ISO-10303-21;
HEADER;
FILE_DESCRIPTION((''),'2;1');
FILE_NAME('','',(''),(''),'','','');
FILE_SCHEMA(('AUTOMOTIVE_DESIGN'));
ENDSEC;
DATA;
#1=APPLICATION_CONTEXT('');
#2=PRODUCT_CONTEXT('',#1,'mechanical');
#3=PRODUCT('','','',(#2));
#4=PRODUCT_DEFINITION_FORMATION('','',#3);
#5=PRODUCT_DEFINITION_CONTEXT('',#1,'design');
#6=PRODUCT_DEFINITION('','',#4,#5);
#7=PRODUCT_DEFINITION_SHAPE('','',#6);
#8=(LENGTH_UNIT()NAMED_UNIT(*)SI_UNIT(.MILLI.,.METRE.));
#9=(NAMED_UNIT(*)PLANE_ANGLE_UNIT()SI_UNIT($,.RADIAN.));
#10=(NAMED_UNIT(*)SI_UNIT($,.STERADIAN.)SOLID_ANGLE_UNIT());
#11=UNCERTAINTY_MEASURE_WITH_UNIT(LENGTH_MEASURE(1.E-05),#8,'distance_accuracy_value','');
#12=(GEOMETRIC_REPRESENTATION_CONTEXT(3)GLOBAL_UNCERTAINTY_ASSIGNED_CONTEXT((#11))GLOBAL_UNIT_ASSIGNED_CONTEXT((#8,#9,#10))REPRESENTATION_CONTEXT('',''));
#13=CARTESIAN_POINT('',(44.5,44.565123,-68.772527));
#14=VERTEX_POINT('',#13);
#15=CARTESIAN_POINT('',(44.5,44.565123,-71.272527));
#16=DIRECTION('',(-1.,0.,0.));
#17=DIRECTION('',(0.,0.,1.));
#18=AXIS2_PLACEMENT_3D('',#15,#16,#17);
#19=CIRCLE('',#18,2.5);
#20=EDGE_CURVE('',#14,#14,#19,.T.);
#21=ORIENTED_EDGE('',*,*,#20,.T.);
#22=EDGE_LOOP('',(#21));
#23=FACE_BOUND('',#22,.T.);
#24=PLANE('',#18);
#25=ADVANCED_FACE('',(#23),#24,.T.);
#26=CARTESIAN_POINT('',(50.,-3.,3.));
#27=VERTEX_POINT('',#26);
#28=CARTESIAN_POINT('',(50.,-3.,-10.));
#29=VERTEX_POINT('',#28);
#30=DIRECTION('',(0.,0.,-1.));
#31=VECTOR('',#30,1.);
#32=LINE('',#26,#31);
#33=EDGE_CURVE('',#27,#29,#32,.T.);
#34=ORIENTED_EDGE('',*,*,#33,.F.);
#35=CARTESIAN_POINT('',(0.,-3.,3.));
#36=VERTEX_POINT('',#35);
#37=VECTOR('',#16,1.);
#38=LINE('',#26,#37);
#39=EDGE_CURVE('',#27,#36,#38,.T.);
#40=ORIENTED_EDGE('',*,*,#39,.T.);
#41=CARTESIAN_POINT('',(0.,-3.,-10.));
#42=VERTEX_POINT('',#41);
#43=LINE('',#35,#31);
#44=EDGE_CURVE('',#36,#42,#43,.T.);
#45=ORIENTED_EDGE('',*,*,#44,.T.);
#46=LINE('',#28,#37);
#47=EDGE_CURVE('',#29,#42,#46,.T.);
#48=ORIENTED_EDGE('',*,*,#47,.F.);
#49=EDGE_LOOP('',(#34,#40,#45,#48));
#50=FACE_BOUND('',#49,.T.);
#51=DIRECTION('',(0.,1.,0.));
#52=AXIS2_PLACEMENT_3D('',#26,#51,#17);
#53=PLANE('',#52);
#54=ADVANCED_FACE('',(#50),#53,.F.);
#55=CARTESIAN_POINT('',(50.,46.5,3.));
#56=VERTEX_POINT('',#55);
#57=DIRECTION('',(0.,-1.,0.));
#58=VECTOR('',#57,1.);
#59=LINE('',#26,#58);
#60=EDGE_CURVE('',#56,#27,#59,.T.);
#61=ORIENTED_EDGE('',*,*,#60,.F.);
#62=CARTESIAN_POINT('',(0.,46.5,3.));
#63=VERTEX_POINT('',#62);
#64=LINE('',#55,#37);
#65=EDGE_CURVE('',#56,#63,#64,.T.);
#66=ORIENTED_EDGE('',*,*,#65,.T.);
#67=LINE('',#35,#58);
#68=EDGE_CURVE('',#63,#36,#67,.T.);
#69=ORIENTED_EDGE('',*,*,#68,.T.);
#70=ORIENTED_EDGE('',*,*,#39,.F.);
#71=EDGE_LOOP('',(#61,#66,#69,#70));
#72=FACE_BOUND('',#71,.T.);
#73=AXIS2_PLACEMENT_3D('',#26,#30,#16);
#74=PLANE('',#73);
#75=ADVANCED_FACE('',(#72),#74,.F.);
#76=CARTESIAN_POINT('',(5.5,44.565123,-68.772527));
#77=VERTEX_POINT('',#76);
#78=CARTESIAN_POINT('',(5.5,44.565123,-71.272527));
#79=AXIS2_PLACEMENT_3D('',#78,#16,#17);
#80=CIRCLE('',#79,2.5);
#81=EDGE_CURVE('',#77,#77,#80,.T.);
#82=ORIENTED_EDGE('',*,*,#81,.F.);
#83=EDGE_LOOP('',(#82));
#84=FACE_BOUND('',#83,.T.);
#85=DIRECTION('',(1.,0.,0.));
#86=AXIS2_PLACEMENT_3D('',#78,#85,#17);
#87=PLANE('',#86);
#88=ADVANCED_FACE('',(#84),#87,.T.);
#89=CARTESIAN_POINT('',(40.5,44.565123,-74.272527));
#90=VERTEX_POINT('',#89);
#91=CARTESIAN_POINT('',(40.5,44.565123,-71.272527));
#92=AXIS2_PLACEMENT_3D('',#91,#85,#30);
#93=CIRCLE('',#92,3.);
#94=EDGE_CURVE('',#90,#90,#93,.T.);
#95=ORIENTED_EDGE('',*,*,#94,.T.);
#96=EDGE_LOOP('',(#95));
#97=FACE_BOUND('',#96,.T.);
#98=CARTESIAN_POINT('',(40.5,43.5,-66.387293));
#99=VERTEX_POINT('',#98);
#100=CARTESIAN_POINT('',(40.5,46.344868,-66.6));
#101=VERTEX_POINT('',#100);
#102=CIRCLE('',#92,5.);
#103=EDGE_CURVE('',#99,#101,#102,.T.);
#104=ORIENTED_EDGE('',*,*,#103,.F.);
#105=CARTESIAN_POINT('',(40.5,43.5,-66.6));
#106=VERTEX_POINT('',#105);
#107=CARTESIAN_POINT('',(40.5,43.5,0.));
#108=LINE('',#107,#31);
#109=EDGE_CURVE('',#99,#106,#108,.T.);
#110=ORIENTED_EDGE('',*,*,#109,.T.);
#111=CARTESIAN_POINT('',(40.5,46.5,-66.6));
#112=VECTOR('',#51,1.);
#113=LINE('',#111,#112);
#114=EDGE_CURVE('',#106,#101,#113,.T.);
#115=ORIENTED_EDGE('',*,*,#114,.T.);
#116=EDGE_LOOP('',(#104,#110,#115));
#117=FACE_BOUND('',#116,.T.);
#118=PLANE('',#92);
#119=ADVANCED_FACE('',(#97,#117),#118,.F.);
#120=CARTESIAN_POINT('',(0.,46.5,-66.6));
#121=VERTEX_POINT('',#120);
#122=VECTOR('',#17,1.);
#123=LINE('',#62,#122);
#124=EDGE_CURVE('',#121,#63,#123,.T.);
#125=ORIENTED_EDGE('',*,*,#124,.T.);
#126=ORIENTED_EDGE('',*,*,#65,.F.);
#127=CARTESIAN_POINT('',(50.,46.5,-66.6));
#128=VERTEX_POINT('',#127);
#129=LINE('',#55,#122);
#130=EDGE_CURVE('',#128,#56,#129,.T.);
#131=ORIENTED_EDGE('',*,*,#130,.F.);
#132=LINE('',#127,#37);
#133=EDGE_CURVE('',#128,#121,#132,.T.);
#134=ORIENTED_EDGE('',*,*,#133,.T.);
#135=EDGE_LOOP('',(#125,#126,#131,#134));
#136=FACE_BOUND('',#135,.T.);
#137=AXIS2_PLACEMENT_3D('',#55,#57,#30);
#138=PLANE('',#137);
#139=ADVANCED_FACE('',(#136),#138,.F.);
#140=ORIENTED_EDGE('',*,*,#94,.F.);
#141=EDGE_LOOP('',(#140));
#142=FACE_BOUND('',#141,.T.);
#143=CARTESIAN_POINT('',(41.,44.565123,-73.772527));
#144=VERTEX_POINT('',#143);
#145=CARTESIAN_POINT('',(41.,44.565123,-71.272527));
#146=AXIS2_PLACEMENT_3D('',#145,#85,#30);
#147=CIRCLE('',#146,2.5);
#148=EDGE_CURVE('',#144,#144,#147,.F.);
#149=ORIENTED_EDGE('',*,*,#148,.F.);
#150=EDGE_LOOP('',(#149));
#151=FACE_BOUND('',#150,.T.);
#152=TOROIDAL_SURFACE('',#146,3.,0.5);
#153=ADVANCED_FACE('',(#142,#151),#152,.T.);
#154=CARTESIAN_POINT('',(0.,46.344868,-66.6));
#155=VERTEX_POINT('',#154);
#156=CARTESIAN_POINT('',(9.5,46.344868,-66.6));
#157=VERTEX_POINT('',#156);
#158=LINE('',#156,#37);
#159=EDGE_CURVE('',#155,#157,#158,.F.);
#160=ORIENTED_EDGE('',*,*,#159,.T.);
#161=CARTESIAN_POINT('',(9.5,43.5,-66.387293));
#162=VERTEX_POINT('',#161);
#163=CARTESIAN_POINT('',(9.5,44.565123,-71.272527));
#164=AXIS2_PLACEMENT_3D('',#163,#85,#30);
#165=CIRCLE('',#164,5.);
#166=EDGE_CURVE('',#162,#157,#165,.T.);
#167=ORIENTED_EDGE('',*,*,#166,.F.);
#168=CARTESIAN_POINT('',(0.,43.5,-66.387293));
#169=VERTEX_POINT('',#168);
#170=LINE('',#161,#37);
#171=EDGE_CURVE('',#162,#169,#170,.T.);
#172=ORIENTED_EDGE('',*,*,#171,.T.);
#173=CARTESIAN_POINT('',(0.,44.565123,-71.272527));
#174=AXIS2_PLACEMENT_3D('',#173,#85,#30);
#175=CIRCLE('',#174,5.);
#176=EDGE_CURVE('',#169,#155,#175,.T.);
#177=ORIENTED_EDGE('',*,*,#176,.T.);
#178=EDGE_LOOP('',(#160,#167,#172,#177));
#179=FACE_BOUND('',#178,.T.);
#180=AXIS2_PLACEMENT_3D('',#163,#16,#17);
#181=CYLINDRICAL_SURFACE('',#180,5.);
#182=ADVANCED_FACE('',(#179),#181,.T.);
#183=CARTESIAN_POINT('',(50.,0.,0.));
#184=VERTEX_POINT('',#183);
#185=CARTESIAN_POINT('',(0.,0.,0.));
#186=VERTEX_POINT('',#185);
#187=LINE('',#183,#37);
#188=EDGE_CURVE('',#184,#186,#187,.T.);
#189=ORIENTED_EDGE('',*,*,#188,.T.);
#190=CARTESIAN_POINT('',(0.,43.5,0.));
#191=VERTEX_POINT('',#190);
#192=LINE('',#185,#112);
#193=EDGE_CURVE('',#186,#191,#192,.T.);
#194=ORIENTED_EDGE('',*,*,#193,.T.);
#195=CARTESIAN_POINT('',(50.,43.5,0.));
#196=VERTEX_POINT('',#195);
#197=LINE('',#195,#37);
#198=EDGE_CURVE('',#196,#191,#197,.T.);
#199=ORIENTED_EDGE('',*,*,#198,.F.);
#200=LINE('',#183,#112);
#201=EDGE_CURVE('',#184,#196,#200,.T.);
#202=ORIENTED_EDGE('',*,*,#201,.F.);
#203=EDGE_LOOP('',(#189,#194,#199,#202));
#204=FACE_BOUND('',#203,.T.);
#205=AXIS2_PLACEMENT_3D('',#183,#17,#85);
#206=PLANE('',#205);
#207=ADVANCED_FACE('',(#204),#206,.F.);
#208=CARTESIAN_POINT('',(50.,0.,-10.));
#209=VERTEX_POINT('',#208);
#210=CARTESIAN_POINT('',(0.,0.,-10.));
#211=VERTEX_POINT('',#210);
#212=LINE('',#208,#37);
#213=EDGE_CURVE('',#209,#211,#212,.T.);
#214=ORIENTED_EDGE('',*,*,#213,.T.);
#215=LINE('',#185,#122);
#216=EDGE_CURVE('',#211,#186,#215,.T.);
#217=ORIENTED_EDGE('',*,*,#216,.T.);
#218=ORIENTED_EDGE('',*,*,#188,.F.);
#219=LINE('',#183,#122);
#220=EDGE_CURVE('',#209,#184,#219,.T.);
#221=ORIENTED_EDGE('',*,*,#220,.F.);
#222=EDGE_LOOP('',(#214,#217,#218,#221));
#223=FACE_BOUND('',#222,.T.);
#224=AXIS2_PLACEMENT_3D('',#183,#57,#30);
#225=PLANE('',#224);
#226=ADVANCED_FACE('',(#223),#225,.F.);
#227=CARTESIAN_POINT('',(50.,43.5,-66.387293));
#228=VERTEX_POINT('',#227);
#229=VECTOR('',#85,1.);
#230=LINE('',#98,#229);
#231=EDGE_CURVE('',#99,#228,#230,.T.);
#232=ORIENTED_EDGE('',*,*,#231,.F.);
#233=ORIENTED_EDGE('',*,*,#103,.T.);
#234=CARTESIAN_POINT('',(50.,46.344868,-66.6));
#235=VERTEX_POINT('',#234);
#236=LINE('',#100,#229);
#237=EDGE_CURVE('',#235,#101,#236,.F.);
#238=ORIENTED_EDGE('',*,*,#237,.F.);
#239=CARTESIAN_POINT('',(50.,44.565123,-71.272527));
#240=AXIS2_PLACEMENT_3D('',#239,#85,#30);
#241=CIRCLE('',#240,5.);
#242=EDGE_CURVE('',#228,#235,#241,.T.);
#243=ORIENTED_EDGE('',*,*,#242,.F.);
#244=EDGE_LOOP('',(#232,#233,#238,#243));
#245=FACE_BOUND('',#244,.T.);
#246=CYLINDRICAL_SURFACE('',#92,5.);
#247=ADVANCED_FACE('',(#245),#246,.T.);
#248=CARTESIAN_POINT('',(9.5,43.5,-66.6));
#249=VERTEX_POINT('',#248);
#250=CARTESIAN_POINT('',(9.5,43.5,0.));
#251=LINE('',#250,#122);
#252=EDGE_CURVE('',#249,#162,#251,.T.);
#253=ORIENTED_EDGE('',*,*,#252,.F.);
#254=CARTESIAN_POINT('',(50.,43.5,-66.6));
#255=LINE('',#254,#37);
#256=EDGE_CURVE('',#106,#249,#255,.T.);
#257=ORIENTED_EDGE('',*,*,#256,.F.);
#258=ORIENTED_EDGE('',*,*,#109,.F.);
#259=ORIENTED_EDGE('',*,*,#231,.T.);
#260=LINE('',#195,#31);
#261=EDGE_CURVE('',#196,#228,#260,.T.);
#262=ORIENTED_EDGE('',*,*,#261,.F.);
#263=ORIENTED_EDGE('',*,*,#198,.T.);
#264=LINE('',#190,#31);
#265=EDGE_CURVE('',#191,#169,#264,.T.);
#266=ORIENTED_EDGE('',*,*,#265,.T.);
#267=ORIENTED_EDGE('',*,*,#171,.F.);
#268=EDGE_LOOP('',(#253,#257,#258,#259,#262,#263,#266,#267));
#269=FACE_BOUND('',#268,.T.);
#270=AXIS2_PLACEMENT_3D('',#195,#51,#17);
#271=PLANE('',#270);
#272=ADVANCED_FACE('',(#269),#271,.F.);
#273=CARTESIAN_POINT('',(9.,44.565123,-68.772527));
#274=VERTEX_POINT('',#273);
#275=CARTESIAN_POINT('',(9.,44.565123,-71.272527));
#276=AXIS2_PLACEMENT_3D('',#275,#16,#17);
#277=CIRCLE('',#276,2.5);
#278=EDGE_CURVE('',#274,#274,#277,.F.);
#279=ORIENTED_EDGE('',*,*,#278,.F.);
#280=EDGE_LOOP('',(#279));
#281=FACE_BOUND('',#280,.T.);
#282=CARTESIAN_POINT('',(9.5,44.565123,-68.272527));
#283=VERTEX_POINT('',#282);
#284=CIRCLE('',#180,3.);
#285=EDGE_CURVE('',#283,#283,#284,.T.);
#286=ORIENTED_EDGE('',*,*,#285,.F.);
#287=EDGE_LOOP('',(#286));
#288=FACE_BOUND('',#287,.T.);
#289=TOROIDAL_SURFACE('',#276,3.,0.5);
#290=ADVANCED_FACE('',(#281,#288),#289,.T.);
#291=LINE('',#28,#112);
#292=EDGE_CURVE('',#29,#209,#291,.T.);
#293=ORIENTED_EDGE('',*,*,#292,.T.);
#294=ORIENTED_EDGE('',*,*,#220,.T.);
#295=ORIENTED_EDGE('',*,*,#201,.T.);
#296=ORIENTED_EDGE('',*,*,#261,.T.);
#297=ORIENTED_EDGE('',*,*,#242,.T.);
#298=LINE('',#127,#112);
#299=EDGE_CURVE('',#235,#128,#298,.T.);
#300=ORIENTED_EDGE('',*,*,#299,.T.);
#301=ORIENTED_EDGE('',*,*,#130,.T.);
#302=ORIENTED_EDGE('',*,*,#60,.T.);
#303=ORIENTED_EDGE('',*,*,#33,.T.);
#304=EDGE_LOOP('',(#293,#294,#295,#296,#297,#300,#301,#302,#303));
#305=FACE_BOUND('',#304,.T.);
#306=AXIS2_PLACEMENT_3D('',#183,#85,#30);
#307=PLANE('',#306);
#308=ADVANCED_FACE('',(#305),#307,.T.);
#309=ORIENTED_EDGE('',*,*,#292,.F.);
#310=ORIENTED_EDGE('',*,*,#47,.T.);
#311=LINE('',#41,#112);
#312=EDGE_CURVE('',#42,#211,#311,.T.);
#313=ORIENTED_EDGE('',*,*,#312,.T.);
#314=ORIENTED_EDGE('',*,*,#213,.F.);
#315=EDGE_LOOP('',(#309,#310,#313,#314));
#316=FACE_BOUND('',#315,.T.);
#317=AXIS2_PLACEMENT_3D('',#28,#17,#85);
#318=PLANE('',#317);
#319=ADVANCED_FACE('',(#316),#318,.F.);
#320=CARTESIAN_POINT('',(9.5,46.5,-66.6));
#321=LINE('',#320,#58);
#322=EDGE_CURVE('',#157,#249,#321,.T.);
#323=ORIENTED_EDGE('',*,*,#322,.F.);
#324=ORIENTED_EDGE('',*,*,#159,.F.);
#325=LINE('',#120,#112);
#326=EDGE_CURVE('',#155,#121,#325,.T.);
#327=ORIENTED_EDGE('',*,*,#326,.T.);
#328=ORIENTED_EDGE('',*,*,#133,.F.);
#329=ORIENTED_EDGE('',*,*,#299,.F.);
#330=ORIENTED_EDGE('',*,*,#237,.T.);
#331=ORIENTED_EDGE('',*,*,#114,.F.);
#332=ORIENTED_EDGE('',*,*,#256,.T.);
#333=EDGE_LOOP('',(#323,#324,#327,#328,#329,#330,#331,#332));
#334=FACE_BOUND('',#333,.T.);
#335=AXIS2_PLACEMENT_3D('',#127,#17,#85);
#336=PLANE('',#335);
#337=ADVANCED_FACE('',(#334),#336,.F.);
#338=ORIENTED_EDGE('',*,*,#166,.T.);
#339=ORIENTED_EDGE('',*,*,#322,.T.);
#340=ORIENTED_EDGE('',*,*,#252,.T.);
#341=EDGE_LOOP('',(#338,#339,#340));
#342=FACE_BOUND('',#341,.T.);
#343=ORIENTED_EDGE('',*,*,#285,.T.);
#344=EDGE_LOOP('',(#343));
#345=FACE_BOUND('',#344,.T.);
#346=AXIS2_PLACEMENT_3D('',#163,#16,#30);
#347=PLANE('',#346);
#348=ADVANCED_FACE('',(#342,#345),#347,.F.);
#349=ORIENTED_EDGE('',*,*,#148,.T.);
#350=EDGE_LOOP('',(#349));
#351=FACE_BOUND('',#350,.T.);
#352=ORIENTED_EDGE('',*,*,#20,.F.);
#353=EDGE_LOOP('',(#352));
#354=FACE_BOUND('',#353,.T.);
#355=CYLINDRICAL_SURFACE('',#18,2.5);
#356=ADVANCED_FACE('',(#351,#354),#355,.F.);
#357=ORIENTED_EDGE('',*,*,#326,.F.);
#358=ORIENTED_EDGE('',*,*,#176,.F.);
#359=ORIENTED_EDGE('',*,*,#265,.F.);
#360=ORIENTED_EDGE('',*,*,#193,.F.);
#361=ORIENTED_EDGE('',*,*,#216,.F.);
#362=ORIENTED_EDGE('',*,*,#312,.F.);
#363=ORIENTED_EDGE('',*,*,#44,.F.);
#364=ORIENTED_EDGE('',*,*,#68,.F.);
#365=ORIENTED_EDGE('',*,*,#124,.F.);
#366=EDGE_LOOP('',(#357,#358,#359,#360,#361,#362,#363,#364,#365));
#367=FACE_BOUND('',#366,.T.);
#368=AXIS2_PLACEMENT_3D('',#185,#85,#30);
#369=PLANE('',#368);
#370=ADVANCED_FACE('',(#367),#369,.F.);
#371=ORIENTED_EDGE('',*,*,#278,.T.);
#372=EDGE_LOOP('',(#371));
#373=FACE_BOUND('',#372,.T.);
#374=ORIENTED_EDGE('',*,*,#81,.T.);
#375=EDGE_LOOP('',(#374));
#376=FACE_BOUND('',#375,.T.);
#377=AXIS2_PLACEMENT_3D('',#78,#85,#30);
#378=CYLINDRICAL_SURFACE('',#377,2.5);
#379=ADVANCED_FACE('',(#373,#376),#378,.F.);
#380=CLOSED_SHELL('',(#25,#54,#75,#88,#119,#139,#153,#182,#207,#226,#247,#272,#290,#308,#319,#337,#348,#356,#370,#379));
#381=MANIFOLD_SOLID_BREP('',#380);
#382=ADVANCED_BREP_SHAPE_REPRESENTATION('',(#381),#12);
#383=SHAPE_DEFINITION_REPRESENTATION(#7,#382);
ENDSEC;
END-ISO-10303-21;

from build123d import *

# Parameters (mm, degrees)
BOSS_EXTRUDE1_DEPTH  = 50
SKETCH2_R            = 5
BOSS_EXTRUDE2_DEPTH  = 9.5
SKETCH3_R            = 2.5
CUT_EXTRUDE1_DEPTH   = 4
FILLET1_R            = 0.5
FILLET1_OF_MIRROR2_R = 0.5


with BuildPart() as part:
    # Sketch1 → Boss-Extrude1 (new body)
    with BuildSketch(Plane(origin=(0, 0, 0), x_dir=(0, 0, -1), z_dir=(1, 0, 0))):
        Polygon((0, 0), (0, 43.5), (66.6, 43.5), (66.6, 46.5), (-3, 46.5), (-3, -3), (10, -3), (10, 0), align=None)
    extrude(amount=BOSS_EXTRUDE1_DEPTH)

    # Sketch2 → Boss-Extrude2 (add)
    with BuildSketch(Plane(origin=(50, 0, 0), x_dir=(0, 0, -1), z_dir=(1, 0, 0))):
        with Locations((71.272526987, 44.565123004)):
            Circle(SKETCH2_R)
    boss_extrude2 = extrude(amount=-BOSS_EXTRUDE2_DEPTH)

    # Sketch3 → Cut-Extrude1 (cut)
    with BuildSketch(Plane.ZY.offset(-40.5)):
        with Locations((-71.272526987, 44.565123004)):
            Circle(SKETCH3_R)
    cut_extrude1 = extrude(amount=-CUT_EXTRUDE1_DEPTH, mode=Mode.SUBTRACT)

    # Fillet1
    fillet1_edges = [part.edges().sort_by_distance(p)[0] for p in [
        (40.5, 44.565123004, -73.772526987),
    ]]
    fillet(fillet1_edges, radius=FILLET1_R)

    # Mirror2: Boss-Extrude2, Cut-Extrude1 across plane
    add(boss_extrude2.mirror(Plane(origin=(25, 0, 0), x_dir=(0, 0, 1), z_dir=(1, 0, 0))))
    add(cut_extrude1.mirror(Plane(origin=(25, 0, 0), x_dir=(0, 0, 1), z_dir=(1, 0, 0))), mode=Mode.SUBTRACT)

    # Fillet1 of Mirror2
    fillet1_of_mirror2_edges = [part.edges().sort_by_distance(p)[0] for p in [
        (9.5, 44.565123004, -73.772526987),
    ]]
    fillet(fillet1_of_mirror2_edges, radius=FILLET1_OF_MIRROR2_R)


solid = part.part
